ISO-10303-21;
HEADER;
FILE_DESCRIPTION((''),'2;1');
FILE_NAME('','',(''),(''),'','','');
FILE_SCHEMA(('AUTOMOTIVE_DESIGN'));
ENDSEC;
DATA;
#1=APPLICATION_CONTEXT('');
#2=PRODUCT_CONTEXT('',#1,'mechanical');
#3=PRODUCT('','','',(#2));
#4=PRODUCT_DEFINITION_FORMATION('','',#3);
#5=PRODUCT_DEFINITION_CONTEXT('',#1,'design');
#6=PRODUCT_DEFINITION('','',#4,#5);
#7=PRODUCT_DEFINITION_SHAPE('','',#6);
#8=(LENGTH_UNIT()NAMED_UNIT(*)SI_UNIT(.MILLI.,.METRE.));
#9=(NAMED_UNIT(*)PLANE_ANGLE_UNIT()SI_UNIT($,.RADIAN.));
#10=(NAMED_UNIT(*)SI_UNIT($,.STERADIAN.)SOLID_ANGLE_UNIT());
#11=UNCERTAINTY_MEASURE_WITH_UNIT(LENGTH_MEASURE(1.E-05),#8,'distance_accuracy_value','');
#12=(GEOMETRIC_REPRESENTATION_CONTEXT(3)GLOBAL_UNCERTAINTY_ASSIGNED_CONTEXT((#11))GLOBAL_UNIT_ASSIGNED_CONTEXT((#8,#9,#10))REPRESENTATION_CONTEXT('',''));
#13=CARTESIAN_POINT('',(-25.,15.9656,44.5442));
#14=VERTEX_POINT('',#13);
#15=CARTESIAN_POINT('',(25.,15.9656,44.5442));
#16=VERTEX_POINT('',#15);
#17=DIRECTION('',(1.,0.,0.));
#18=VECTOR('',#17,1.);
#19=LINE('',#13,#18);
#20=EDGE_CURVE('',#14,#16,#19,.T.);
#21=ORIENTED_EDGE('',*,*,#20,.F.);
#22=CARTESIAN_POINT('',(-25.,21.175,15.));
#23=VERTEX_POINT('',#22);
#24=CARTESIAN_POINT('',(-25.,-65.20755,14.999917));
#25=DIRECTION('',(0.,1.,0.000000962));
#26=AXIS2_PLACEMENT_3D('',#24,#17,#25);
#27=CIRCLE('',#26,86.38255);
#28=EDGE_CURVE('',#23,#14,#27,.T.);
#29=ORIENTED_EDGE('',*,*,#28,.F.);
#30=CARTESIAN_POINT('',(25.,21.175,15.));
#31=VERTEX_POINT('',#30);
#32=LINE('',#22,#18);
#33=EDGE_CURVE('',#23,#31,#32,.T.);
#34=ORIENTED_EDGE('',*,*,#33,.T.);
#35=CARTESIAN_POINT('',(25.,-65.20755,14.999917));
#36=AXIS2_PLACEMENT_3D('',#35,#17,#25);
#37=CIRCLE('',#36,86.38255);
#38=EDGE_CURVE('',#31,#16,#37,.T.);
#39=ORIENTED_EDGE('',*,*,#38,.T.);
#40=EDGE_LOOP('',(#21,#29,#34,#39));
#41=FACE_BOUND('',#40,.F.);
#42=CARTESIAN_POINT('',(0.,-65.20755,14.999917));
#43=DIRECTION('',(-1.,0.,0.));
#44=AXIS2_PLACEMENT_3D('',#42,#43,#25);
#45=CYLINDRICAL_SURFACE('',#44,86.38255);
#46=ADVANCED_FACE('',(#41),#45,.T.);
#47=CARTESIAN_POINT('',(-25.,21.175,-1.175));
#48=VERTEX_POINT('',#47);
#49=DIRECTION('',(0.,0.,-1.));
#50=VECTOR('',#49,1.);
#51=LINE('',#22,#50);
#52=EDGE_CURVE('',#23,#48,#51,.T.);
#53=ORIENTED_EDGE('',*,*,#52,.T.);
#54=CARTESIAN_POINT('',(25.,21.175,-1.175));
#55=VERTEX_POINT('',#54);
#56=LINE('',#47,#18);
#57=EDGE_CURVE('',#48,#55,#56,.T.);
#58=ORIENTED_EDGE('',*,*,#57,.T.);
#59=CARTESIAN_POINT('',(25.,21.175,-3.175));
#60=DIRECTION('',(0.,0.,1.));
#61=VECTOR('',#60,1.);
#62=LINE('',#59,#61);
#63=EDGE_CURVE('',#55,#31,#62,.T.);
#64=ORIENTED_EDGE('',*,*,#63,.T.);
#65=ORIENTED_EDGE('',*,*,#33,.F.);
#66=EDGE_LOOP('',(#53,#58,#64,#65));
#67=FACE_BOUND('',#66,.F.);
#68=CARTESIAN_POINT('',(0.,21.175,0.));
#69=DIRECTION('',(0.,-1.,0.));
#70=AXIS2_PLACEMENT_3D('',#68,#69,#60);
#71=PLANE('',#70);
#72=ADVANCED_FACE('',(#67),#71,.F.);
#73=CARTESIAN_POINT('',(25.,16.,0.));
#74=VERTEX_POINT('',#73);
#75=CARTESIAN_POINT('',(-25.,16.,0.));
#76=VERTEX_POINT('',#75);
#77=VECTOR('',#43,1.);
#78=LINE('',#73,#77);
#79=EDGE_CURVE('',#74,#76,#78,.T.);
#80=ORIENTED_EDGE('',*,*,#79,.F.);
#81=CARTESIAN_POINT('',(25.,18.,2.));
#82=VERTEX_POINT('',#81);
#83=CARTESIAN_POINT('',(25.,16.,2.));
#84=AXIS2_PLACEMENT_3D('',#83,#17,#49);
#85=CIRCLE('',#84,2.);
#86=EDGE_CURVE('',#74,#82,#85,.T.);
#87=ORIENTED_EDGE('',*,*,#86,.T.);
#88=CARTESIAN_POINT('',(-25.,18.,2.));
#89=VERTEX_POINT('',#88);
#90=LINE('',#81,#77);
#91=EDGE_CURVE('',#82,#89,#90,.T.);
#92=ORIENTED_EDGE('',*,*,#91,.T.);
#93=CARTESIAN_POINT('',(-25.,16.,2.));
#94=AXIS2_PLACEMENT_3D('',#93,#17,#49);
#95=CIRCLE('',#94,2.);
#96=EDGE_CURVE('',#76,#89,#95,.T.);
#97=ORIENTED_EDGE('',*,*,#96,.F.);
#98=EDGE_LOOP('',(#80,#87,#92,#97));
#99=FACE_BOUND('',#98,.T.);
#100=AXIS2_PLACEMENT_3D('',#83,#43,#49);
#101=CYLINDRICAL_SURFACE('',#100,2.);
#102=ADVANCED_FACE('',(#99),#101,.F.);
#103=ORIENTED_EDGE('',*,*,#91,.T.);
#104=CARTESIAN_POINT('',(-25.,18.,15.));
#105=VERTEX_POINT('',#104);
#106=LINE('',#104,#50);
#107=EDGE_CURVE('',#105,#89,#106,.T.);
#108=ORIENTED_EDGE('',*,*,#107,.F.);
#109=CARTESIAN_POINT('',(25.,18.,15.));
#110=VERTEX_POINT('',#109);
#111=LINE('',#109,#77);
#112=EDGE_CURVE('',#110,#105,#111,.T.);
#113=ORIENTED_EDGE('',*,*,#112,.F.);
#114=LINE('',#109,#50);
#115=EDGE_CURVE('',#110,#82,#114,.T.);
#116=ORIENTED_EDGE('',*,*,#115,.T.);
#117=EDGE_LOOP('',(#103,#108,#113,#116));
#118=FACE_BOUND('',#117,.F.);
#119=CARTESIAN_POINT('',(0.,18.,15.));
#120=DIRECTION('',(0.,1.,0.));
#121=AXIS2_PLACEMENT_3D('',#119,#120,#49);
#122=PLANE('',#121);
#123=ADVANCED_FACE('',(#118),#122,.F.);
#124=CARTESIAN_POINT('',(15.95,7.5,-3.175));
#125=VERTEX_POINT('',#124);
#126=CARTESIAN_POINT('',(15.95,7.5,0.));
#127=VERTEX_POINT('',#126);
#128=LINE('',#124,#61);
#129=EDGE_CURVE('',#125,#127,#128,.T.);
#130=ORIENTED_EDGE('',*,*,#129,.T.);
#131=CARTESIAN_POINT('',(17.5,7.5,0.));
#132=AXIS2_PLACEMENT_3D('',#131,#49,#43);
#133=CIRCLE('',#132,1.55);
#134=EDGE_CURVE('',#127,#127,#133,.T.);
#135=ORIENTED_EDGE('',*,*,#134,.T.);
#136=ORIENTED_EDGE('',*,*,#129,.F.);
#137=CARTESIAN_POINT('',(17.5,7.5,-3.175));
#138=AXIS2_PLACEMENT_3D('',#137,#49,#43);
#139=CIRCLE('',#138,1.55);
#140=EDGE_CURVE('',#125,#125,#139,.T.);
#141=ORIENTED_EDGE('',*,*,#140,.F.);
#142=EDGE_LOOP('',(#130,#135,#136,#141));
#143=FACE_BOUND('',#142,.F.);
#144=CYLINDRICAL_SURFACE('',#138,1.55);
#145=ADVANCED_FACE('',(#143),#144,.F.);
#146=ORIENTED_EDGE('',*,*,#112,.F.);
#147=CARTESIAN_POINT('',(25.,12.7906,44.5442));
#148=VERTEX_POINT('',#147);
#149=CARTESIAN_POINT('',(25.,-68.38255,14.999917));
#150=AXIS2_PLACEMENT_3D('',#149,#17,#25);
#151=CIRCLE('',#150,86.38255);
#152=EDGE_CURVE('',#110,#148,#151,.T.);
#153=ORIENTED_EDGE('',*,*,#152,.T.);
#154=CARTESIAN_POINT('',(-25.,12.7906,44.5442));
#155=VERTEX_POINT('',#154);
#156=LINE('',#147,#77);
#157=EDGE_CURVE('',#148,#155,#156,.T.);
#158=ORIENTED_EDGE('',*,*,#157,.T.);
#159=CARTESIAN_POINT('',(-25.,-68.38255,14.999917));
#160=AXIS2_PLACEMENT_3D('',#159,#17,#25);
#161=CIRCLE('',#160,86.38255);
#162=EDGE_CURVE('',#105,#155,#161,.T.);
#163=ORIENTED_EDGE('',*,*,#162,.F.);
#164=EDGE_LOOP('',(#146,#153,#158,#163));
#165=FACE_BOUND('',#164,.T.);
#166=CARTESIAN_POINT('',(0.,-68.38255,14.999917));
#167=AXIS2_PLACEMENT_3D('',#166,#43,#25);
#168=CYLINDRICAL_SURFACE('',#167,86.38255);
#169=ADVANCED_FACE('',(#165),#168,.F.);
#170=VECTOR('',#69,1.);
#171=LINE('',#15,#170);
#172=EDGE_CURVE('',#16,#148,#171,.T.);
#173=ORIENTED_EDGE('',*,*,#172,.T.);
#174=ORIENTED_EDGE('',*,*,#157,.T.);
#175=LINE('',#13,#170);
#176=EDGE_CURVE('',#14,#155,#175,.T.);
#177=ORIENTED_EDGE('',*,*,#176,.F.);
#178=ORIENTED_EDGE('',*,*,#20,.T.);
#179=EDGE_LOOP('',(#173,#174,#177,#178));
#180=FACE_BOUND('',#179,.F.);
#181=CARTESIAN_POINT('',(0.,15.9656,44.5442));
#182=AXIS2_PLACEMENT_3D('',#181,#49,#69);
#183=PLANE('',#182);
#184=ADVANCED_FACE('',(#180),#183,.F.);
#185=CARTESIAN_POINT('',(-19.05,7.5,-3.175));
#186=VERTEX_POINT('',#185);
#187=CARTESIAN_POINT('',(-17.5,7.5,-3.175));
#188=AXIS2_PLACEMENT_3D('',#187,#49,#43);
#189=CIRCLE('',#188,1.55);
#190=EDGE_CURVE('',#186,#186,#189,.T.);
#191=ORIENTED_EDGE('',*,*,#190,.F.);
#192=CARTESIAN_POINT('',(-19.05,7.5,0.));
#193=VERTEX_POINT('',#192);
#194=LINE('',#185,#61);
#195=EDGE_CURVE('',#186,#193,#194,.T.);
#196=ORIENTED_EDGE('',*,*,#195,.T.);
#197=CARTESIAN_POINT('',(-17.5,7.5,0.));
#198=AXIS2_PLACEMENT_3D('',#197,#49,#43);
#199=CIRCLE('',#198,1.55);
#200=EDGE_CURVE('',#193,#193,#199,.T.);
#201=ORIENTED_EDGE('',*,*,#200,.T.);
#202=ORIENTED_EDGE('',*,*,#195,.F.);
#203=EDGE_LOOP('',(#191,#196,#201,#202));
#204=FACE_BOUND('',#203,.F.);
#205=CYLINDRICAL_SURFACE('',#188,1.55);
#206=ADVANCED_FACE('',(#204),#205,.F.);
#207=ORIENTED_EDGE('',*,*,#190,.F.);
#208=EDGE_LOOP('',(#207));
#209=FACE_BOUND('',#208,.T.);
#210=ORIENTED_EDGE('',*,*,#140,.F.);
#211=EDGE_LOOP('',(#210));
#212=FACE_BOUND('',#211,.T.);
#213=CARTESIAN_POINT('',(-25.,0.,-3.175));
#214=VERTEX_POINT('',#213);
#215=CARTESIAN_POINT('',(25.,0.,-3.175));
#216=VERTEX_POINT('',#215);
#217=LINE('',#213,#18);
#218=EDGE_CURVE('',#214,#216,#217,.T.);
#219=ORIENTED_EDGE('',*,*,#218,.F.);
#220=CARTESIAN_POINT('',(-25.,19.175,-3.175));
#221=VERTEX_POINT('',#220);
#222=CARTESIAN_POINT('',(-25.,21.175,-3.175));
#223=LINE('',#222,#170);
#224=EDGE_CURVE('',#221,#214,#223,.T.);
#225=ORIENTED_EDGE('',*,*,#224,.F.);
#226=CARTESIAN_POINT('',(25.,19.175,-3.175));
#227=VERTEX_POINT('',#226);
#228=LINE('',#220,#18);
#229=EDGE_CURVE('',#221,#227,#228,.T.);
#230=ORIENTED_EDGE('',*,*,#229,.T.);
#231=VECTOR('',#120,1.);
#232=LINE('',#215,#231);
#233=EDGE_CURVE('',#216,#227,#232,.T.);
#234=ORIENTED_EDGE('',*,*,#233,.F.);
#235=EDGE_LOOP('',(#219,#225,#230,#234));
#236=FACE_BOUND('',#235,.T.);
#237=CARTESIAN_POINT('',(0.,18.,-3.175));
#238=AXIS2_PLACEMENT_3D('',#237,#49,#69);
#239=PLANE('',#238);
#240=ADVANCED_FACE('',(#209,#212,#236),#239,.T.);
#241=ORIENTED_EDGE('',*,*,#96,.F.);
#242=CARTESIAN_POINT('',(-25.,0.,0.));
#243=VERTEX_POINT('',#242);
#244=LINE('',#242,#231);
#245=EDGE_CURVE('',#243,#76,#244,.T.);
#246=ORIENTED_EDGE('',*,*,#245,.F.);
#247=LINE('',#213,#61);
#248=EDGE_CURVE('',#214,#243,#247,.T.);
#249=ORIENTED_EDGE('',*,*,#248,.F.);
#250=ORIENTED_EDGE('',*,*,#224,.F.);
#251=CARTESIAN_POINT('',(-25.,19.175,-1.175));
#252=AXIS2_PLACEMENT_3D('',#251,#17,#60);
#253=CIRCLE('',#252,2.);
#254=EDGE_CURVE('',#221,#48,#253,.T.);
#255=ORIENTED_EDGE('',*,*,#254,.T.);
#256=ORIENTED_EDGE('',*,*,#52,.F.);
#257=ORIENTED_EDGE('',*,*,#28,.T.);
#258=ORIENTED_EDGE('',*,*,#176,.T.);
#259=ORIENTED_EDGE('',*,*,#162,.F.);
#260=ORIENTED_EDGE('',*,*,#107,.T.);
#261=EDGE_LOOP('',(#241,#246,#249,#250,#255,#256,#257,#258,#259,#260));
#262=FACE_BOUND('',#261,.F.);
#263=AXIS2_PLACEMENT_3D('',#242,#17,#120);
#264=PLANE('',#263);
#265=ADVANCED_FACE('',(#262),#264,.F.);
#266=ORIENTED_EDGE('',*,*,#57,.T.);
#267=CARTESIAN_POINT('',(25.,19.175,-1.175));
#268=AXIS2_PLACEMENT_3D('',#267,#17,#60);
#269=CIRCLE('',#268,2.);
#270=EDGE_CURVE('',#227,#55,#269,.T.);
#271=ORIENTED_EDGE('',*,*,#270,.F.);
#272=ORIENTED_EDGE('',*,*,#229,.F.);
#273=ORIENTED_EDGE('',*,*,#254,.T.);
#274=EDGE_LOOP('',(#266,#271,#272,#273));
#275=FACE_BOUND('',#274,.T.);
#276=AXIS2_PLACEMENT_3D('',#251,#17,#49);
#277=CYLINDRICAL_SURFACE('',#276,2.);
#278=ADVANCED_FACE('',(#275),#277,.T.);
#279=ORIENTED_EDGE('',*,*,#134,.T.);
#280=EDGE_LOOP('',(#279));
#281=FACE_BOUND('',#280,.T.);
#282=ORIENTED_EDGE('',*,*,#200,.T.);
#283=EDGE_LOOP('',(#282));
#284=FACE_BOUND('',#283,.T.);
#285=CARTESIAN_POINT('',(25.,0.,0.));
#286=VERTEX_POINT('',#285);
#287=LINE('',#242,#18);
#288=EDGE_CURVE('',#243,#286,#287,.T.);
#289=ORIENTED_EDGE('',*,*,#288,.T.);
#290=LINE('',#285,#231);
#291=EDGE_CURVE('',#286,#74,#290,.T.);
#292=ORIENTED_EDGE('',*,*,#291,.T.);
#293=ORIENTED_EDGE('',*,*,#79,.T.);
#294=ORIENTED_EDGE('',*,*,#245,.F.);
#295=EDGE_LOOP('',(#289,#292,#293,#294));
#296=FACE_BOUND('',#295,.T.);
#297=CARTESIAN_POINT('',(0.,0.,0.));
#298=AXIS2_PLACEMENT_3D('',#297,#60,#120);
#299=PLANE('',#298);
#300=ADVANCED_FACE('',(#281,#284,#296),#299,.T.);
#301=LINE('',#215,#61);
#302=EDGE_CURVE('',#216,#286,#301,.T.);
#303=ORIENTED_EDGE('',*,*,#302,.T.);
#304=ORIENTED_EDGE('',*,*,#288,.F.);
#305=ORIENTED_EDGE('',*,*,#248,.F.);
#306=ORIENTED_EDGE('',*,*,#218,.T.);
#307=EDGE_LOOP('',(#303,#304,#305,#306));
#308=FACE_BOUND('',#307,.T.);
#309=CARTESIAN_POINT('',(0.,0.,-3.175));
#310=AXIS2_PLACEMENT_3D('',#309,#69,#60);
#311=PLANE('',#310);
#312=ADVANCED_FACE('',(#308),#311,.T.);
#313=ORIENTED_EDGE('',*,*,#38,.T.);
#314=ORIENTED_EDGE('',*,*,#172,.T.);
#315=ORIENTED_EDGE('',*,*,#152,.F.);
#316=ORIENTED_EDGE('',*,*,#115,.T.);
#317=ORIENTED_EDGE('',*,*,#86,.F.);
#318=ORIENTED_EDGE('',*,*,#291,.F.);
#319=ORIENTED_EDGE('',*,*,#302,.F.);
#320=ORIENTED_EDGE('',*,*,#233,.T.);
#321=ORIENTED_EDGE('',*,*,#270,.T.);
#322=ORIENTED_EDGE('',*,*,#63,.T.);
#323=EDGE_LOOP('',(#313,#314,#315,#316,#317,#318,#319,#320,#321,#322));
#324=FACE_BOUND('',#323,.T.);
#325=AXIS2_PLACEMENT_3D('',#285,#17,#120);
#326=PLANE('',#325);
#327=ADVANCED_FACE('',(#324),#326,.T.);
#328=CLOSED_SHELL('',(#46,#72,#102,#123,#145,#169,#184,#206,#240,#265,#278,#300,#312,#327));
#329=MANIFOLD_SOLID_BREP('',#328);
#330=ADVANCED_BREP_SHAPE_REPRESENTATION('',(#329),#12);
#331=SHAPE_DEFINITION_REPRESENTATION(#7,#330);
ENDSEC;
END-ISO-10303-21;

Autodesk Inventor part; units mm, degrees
ref_plane "YZ Plane" through (0, 0, 0) normal (1, 0, 0) x (0, 1, 0)
ref_plane "XZ Plane" through (0, 0, 0) normal (0, 1, 0) x (-1, 0, 0)
ref_plane "XY Plane" through (0, 0, 0) normal (0, 0, 1) x (1, 0, 0)
sketch "Sketch1" plane through (0, 0, 0) normal (1, 0, 0) x (0, 1, 0)
  line L0 (0, 0) -> (18, 0)
  line L1 (18, 0) -> (18, -3.175)
  line L2 (18, -3.175) -> (0, -3.175)
  line L3 (0, -3.175) -> (0, 0)
  line L4 (18, 0) -> (21.175, 0)
  line L5 (21.175, 0) -> (21.175, 15)
  line L6 (21.175, 15) -> (18, 15)
  line L7 (18, 15) -> (18, 0)
  line L8 (21.175, 0) -> (18, 0)
  line L9 (18, 0) -> (18, -3.175)
  line L10 (18, -3.175) -> (21.175, -3.175)
  line L11 (21.175, -3.175) -> (21.175, 0)
  arc A0 (21.175, 15) -> (15.9656, 44.5442) centre (-65.2066, 15) ccw
  line L12 (21.175, 15) -> (15.9656, 44.5442) construction
  line L13 (21.175, 15) -> (51.175, 15) construction
  line L14 (15.9656, 44.5442) -> (12.7906, 44.5442)
  arc A1 (18, 15) -> (12.7906, 44.5442) centre (-68.3816, 15) ccw
  line L15 (18, 15) -> (12.7906, 44.5442) construction
  line L16 (18, 15) -> (48, 15) construction
  dimension "d0" = 18
  dimension "d1" = 3.175
  dimension "d2" = 3.175
  dimension "d3" = 15
  dimension "d4" = 30
  dimension "d5" = 100
  dimension "d7" = 30
  dimension "d8" = 100
extrude "Extrusion1" add sketch "Sketch1" along normal mid plane 50
fillet "Fillet1" radius 2 2 edges at (0, 18, 0) (0, 21.175, -3.175)
sketch "Sketch2" plane through (25, 0, -3.175) normal (0, 0, -1) x (-1, 0, 0)
  line L0 (0, 0) -> (0, 19.175) projected
  line L1 (25, 0) -> (0, 0) projected
  line L2 (50, 19.175) -> (50, 0) projected
  line L3 (50, 7.5) -> (0, 7.5) construction
  circle A0 centre (7.5, 7.5) radius 1.55
  circle A1 centre (42.5, 7.5) radius 1.55
  dimension "d12" = 7.5
  dimension "d13" = 3.1
  dimension "d14" = 3.1
  dimension "d15" = 7.5
  dimension "d16" = 7.5
extrude "Extrusion2" cut sketch "Sketch2" against normal blind 10
properties part number "PolyWedge" material "PC/ABS Plastic"
